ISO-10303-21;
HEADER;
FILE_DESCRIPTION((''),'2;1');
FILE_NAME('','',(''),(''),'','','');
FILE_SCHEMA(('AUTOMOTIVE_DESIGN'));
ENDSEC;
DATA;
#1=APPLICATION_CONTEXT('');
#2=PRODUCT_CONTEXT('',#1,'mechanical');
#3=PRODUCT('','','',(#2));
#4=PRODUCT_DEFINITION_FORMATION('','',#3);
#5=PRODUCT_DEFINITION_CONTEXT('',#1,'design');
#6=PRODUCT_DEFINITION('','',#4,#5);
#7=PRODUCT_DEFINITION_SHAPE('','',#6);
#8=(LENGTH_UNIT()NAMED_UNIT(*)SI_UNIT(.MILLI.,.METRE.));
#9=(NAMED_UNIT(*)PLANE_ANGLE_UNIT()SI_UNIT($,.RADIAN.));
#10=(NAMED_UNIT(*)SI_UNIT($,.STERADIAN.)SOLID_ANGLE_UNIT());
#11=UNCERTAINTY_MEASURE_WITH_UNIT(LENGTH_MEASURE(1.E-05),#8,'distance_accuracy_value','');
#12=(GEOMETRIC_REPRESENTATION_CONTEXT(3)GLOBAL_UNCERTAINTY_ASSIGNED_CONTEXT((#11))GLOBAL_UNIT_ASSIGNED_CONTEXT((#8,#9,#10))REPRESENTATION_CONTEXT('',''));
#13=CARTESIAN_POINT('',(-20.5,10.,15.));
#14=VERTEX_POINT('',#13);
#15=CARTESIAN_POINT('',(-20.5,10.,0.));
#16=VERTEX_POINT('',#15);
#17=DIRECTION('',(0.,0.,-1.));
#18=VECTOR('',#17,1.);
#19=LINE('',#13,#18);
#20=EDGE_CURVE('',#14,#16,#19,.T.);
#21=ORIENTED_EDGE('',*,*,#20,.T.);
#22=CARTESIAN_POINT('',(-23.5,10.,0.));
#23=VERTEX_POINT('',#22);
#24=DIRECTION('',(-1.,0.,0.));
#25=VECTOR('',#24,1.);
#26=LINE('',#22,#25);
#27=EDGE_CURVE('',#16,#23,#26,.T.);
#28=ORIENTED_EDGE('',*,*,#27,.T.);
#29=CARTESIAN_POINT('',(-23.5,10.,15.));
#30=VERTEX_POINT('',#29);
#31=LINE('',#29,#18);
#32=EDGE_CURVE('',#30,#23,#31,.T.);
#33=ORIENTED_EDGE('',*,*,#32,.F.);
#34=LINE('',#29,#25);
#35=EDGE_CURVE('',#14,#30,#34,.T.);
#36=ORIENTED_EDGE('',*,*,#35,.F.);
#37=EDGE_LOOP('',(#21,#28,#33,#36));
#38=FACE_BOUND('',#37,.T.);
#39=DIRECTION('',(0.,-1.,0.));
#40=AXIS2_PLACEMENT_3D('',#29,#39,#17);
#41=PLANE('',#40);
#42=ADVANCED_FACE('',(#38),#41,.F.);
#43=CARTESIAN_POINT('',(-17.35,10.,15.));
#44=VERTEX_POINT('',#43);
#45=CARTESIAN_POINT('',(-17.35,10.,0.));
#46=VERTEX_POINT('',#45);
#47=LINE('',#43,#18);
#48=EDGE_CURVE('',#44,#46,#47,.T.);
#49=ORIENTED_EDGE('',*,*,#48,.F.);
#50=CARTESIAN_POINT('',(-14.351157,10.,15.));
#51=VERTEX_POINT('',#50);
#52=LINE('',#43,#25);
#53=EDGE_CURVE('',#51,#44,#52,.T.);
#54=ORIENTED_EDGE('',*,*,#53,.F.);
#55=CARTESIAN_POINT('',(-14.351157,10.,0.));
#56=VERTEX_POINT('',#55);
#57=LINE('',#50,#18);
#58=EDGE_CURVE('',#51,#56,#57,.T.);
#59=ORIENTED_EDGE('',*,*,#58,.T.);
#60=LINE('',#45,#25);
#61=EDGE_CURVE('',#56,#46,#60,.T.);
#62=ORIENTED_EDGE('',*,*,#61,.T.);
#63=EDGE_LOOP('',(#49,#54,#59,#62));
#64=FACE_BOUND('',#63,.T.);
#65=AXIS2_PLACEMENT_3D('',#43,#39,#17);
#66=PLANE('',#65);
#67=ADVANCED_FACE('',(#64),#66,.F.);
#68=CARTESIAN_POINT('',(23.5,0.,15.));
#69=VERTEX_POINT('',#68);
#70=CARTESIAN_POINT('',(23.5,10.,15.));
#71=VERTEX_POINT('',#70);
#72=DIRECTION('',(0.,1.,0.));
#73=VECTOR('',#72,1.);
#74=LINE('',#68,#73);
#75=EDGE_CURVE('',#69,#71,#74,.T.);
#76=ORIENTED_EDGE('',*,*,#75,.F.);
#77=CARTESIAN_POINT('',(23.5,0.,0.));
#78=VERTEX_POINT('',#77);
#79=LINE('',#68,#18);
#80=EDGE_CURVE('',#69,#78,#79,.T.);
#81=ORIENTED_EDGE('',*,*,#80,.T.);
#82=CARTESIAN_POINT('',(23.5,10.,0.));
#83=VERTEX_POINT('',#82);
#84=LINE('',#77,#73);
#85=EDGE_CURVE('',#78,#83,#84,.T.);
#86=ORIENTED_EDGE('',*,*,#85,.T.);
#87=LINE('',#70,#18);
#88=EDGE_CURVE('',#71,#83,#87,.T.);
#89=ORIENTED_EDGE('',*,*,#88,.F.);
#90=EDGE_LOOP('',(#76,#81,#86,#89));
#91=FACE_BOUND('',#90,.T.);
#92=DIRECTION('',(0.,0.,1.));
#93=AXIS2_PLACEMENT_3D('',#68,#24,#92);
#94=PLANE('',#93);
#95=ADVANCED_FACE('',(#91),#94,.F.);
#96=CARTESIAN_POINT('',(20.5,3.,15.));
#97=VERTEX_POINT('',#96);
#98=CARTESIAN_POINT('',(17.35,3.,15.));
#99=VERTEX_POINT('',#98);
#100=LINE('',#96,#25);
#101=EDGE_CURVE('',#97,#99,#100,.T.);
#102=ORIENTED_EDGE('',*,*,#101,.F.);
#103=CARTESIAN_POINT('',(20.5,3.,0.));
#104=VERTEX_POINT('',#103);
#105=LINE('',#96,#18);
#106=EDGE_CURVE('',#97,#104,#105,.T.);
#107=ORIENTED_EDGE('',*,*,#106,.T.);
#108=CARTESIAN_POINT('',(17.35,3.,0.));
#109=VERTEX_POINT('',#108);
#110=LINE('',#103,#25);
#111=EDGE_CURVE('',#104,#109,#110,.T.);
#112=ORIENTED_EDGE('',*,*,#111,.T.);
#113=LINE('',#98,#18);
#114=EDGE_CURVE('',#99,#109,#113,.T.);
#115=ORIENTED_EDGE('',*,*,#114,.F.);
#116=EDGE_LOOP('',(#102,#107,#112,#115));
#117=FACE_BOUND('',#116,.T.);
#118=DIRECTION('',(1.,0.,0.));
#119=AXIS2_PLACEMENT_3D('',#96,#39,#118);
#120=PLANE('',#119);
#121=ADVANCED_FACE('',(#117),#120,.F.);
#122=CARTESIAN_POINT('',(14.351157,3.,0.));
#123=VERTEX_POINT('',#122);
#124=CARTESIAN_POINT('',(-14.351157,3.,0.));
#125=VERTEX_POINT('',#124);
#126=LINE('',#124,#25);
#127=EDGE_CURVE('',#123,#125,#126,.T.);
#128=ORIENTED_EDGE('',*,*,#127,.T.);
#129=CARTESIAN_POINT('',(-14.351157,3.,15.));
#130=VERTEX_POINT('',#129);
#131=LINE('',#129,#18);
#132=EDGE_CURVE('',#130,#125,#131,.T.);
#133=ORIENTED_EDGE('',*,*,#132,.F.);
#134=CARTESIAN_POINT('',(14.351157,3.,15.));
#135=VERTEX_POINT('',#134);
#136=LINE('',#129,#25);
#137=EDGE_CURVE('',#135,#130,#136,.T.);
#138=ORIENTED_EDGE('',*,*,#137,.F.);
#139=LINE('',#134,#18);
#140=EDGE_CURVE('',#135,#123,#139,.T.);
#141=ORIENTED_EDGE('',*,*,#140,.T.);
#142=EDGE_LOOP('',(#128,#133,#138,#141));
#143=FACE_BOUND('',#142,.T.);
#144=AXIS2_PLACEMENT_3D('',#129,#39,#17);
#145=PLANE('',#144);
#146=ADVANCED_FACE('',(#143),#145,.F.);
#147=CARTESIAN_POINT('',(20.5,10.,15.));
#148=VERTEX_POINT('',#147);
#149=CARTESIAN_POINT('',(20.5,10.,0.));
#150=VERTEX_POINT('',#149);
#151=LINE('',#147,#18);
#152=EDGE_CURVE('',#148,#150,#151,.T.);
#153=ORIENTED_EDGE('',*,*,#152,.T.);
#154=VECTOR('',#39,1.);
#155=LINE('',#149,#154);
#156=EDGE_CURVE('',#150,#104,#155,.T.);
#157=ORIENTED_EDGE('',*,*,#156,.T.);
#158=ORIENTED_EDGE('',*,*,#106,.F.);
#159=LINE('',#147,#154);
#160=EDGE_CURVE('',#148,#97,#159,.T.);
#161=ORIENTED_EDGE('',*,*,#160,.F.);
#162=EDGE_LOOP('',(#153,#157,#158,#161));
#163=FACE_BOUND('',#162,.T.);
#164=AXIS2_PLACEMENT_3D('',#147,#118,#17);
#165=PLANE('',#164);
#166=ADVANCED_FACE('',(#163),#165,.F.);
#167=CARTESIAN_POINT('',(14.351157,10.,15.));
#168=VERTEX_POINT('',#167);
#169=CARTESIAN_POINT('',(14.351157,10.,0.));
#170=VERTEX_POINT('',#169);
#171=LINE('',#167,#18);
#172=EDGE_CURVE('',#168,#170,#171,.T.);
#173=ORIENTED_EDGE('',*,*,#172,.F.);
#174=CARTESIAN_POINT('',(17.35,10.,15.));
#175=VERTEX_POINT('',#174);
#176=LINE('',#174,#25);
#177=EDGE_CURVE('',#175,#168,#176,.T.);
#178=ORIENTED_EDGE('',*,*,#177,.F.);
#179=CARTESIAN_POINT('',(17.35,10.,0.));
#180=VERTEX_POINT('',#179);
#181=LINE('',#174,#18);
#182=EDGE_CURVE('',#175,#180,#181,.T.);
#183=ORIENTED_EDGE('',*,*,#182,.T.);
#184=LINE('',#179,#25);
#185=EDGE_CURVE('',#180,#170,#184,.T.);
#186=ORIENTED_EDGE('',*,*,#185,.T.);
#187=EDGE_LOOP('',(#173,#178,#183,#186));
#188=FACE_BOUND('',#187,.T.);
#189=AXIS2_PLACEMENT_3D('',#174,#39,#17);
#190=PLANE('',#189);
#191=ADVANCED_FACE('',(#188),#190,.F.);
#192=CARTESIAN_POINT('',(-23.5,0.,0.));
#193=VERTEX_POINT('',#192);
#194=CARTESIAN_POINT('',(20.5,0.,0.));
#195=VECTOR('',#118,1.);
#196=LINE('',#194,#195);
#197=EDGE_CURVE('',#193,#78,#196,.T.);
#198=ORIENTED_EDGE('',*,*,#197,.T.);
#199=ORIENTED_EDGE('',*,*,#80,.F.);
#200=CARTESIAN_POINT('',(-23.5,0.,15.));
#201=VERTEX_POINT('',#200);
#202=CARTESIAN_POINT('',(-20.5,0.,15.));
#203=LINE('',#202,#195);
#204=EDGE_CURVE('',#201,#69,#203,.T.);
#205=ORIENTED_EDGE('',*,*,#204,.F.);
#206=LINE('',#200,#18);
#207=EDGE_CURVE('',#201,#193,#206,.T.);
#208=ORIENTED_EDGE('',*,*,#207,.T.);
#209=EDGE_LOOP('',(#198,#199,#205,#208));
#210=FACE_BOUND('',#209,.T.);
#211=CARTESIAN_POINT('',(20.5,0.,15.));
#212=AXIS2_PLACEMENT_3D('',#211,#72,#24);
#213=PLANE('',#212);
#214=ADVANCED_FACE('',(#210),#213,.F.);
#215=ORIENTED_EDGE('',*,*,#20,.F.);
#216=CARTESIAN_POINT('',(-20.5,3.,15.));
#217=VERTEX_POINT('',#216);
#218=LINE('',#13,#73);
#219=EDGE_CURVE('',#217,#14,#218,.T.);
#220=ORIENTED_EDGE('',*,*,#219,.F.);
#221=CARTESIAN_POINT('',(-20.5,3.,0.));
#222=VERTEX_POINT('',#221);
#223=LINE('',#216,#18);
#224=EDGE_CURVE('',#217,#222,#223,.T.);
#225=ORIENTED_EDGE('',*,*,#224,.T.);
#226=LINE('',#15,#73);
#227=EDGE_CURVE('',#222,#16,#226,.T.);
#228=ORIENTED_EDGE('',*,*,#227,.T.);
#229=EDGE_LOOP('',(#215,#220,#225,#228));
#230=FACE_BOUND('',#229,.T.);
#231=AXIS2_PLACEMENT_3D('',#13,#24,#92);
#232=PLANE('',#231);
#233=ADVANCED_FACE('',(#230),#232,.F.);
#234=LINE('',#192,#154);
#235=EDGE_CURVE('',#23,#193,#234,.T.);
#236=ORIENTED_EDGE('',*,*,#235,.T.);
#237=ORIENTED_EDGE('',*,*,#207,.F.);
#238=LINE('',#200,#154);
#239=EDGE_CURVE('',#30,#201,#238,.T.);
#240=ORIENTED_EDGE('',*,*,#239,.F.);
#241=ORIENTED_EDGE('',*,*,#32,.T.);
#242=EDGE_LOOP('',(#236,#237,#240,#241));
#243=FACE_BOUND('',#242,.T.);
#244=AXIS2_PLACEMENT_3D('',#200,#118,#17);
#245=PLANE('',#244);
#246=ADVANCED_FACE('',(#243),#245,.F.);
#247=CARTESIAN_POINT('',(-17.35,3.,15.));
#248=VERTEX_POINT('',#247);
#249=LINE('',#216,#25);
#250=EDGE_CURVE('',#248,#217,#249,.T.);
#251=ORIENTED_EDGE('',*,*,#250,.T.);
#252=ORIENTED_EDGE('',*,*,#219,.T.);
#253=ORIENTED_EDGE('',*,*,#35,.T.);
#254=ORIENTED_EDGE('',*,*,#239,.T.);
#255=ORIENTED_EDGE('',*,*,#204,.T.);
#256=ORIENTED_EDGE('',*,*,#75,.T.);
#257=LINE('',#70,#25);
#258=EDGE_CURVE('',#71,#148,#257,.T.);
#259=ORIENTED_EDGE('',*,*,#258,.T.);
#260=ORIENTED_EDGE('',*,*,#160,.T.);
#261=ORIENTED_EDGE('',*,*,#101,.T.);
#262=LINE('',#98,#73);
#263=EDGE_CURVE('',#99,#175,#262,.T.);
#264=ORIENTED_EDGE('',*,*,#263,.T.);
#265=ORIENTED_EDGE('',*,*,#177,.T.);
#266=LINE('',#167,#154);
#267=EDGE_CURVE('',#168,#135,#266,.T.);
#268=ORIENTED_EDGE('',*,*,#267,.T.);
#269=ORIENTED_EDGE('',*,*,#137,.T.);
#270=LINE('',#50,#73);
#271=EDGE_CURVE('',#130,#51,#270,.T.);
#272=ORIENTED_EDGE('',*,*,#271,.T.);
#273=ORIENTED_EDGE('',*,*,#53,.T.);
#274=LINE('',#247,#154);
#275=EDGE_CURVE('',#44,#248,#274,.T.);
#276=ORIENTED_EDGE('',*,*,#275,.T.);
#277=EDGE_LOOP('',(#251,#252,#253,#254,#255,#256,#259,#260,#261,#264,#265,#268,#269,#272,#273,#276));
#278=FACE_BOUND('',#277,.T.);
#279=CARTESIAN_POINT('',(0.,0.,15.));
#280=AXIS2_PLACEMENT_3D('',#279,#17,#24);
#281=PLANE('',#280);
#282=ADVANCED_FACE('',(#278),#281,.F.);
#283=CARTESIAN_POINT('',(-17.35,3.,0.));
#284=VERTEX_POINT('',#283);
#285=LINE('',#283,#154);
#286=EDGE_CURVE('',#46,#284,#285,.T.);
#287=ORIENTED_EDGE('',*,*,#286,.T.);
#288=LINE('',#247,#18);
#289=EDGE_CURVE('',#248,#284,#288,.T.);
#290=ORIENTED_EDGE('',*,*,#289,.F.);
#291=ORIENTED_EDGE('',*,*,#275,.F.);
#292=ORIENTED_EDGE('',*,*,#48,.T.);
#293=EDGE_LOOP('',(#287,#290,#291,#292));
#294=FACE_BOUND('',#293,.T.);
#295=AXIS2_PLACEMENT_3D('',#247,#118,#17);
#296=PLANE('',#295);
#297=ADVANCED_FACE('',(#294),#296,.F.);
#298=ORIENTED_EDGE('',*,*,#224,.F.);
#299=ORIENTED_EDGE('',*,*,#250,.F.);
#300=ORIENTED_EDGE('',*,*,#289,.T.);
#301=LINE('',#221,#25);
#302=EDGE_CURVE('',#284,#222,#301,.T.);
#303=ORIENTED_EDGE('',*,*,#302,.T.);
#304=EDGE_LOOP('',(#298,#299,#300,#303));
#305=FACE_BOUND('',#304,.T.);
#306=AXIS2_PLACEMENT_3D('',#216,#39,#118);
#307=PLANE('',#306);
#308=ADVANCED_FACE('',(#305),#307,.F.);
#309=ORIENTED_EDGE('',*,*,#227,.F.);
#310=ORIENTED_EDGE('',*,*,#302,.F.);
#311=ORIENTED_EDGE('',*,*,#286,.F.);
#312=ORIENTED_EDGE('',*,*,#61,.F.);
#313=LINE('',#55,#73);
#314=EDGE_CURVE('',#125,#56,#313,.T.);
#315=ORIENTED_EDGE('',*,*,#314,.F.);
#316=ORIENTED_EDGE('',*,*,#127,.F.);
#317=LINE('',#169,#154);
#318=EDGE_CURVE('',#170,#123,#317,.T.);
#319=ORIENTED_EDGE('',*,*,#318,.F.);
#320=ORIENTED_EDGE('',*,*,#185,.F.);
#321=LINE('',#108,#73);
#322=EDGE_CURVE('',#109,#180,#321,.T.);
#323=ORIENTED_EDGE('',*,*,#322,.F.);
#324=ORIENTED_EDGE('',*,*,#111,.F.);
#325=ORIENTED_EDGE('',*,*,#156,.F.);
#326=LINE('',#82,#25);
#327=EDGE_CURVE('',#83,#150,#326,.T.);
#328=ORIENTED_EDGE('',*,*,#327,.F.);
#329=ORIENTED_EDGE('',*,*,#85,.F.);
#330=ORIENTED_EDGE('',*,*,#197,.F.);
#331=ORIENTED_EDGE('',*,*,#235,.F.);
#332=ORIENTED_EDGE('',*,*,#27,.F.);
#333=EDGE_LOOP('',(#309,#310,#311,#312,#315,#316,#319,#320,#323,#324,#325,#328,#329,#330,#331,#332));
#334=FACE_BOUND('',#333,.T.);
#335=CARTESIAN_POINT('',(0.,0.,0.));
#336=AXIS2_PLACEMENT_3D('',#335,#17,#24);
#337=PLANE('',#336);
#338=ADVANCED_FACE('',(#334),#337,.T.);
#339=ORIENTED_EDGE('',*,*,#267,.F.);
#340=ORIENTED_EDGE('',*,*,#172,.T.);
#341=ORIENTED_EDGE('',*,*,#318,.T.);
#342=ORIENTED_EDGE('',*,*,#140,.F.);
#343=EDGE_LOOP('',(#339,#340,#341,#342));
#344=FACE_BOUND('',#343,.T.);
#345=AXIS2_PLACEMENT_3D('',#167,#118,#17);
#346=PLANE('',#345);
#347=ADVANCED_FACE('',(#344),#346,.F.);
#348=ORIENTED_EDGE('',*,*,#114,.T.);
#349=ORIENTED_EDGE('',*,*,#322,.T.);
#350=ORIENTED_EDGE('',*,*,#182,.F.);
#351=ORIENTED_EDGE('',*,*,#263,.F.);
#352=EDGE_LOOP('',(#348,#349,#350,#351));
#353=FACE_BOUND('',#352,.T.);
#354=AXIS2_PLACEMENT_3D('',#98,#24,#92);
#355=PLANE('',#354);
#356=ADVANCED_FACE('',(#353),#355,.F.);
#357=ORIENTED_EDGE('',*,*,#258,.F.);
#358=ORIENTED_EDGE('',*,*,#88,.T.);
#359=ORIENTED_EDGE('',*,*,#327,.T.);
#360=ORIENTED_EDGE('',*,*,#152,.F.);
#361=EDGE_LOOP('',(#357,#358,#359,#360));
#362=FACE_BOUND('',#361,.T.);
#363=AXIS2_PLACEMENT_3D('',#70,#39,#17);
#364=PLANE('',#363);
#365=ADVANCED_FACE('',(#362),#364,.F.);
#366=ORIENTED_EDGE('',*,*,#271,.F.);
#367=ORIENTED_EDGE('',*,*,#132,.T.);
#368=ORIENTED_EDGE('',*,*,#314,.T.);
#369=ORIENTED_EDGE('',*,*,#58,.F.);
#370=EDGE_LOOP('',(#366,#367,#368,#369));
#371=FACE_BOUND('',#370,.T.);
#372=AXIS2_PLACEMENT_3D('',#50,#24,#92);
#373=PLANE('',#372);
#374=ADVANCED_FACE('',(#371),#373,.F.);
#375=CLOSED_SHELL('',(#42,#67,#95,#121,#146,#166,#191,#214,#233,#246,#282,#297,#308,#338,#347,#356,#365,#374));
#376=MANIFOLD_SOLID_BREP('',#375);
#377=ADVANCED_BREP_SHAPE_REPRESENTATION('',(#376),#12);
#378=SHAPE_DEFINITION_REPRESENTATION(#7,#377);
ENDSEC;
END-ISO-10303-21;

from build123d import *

# Parameters (mm, degrees)
DODANIE_WYCI_GNI_CIE1_DEPTH = 15


with BuildPart() as part:
    # Szkic1 → Dodanie-wyciągnięcie1 (new body)
    with BuildSketch(Plane.XY):
        Polygon((20.5, 0), (-20.5, 0), (-23.5, 0), (-23.5, 10), (-20.5, 10), (-20.5, 3), (-17.35, 3), (-17.35, 10), (-14.351157044, 10), (-14.351157044, 3), (14.351157044, 3), (14.351157044, 10), (17.35, 10), (17.35, 3), (20.5, 3), (20.5, 10), (23.5, 10), (23.5, 0), align=None)
    extrude(amount=DODANIE_WYCI_GNI_CIE1_DEPTH)


solid = part.part
